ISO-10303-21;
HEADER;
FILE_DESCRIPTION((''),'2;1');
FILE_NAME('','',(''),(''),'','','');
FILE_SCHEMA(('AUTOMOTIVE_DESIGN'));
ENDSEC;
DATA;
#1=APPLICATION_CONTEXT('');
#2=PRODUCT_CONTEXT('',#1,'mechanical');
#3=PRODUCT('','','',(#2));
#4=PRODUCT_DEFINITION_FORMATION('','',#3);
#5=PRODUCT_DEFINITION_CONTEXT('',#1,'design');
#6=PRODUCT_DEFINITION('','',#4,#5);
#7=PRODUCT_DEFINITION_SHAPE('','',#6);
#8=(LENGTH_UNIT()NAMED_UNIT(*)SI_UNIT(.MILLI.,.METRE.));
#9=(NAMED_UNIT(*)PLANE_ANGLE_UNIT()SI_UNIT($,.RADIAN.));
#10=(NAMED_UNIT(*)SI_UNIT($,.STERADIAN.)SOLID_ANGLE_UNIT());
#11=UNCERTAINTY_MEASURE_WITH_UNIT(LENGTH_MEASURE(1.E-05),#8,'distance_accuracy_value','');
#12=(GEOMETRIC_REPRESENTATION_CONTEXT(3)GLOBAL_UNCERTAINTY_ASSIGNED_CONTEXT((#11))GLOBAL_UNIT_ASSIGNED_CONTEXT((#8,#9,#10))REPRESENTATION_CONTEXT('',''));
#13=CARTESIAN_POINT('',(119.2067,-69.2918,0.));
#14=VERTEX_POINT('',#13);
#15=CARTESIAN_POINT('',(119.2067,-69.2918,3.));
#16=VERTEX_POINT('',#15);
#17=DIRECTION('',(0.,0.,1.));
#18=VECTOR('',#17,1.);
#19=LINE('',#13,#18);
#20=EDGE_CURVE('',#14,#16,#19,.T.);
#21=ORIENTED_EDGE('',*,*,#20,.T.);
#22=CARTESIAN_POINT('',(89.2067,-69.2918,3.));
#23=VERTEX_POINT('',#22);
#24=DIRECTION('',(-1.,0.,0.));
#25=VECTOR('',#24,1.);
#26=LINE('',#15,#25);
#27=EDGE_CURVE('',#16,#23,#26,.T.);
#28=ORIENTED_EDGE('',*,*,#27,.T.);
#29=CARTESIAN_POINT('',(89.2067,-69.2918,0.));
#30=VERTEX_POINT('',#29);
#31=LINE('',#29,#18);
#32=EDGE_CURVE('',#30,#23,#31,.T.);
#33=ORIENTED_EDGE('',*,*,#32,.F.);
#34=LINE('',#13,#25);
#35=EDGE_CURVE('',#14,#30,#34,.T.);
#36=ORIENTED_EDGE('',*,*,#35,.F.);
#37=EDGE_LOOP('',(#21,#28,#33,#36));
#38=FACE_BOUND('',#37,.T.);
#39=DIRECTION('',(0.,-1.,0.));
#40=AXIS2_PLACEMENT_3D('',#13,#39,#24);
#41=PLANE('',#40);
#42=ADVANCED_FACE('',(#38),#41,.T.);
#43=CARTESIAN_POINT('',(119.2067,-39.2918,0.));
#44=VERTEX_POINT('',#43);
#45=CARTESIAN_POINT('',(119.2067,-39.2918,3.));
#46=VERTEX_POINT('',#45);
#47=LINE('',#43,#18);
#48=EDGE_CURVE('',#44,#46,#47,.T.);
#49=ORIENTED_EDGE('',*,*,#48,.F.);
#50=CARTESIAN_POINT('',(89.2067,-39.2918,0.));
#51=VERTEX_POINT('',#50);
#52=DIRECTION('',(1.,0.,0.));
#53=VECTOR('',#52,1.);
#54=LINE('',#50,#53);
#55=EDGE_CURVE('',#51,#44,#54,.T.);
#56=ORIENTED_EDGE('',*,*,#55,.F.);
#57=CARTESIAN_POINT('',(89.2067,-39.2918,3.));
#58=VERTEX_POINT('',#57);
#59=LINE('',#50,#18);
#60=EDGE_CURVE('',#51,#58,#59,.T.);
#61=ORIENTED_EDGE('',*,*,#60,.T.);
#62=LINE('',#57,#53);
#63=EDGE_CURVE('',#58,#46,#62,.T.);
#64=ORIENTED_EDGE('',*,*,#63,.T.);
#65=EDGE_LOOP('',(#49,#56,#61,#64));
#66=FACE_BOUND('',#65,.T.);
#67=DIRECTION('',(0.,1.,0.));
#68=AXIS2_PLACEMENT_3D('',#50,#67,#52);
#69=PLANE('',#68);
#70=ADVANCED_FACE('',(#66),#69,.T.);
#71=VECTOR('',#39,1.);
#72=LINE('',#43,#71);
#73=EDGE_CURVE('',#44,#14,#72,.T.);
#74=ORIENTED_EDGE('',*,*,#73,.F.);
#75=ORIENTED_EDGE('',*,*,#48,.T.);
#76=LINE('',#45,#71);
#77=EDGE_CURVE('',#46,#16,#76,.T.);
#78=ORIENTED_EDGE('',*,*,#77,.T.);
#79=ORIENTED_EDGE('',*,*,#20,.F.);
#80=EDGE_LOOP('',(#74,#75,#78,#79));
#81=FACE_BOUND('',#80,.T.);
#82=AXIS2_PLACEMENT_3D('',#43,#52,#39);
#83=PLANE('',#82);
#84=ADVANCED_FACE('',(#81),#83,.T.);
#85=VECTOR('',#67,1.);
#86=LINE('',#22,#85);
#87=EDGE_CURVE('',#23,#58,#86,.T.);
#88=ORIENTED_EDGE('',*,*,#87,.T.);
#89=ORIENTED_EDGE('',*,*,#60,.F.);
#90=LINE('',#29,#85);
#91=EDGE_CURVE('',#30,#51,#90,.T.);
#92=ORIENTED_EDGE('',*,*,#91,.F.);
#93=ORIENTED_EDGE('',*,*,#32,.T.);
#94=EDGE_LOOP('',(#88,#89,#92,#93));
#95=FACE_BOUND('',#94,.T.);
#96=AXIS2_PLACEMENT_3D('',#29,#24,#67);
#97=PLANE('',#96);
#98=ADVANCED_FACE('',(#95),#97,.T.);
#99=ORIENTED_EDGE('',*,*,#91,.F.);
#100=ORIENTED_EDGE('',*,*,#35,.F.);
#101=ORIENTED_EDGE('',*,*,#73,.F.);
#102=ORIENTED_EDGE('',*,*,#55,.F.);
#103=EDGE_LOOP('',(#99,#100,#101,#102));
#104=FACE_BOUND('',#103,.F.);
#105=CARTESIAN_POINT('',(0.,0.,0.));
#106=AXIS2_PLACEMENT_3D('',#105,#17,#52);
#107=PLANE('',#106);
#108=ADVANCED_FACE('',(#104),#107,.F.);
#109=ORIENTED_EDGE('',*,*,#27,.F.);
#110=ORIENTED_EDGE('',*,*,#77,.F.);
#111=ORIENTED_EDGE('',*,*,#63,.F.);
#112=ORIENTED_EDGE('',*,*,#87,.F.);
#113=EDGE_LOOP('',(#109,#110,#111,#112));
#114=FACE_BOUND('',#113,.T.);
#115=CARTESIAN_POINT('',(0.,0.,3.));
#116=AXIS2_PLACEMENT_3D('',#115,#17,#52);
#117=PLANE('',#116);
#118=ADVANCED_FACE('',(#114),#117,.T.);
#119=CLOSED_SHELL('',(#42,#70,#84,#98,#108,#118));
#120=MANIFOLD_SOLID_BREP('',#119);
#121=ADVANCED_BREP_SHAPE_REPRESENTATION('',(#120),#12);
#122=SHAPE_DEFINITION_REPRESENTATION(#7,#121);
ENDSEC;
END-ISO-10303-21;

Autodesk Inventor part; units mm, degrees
ref_plane "YZ Plane" through (0, 0, 0) normal (1, 0, 0) x (0, 1, 0)
ref_plane "XZ Plane" through (0, 0, 0) normal (0, 1, 0) x (-1, 0, 0)
ref_plane "XY Plane" through (0, 0, 0) normal (0, 0, 1) x (1, 0, 0)
ref_plane "Arbeitsebene1" through (0, 0, 0) normal (0, 0, 1) x (1, 0, 0)
sketch "Skizze1" plane through (0, 0, 0) normal (0, 0, 1) x (1, 0, 0)
  line L0 (89.2067, -39.2918) -> (119.2067, -39.2918)
  line L1 (119.2067, -39.2918) -> (119.2067, -69.2918)
  line L2 (119.2067, -69.2918) -> (89.2067, -69.2918)
  line L3 (89.2067, -69.2918) -> (89.2067, -39.2918)
  point P0 (0, 0)
  dimension "d0" = 30
  dimension "d1" = 30
extrude "Extrusion1" add sketch "Skizze1" along normal blind 3
properties part number "SIM7600G-H"
